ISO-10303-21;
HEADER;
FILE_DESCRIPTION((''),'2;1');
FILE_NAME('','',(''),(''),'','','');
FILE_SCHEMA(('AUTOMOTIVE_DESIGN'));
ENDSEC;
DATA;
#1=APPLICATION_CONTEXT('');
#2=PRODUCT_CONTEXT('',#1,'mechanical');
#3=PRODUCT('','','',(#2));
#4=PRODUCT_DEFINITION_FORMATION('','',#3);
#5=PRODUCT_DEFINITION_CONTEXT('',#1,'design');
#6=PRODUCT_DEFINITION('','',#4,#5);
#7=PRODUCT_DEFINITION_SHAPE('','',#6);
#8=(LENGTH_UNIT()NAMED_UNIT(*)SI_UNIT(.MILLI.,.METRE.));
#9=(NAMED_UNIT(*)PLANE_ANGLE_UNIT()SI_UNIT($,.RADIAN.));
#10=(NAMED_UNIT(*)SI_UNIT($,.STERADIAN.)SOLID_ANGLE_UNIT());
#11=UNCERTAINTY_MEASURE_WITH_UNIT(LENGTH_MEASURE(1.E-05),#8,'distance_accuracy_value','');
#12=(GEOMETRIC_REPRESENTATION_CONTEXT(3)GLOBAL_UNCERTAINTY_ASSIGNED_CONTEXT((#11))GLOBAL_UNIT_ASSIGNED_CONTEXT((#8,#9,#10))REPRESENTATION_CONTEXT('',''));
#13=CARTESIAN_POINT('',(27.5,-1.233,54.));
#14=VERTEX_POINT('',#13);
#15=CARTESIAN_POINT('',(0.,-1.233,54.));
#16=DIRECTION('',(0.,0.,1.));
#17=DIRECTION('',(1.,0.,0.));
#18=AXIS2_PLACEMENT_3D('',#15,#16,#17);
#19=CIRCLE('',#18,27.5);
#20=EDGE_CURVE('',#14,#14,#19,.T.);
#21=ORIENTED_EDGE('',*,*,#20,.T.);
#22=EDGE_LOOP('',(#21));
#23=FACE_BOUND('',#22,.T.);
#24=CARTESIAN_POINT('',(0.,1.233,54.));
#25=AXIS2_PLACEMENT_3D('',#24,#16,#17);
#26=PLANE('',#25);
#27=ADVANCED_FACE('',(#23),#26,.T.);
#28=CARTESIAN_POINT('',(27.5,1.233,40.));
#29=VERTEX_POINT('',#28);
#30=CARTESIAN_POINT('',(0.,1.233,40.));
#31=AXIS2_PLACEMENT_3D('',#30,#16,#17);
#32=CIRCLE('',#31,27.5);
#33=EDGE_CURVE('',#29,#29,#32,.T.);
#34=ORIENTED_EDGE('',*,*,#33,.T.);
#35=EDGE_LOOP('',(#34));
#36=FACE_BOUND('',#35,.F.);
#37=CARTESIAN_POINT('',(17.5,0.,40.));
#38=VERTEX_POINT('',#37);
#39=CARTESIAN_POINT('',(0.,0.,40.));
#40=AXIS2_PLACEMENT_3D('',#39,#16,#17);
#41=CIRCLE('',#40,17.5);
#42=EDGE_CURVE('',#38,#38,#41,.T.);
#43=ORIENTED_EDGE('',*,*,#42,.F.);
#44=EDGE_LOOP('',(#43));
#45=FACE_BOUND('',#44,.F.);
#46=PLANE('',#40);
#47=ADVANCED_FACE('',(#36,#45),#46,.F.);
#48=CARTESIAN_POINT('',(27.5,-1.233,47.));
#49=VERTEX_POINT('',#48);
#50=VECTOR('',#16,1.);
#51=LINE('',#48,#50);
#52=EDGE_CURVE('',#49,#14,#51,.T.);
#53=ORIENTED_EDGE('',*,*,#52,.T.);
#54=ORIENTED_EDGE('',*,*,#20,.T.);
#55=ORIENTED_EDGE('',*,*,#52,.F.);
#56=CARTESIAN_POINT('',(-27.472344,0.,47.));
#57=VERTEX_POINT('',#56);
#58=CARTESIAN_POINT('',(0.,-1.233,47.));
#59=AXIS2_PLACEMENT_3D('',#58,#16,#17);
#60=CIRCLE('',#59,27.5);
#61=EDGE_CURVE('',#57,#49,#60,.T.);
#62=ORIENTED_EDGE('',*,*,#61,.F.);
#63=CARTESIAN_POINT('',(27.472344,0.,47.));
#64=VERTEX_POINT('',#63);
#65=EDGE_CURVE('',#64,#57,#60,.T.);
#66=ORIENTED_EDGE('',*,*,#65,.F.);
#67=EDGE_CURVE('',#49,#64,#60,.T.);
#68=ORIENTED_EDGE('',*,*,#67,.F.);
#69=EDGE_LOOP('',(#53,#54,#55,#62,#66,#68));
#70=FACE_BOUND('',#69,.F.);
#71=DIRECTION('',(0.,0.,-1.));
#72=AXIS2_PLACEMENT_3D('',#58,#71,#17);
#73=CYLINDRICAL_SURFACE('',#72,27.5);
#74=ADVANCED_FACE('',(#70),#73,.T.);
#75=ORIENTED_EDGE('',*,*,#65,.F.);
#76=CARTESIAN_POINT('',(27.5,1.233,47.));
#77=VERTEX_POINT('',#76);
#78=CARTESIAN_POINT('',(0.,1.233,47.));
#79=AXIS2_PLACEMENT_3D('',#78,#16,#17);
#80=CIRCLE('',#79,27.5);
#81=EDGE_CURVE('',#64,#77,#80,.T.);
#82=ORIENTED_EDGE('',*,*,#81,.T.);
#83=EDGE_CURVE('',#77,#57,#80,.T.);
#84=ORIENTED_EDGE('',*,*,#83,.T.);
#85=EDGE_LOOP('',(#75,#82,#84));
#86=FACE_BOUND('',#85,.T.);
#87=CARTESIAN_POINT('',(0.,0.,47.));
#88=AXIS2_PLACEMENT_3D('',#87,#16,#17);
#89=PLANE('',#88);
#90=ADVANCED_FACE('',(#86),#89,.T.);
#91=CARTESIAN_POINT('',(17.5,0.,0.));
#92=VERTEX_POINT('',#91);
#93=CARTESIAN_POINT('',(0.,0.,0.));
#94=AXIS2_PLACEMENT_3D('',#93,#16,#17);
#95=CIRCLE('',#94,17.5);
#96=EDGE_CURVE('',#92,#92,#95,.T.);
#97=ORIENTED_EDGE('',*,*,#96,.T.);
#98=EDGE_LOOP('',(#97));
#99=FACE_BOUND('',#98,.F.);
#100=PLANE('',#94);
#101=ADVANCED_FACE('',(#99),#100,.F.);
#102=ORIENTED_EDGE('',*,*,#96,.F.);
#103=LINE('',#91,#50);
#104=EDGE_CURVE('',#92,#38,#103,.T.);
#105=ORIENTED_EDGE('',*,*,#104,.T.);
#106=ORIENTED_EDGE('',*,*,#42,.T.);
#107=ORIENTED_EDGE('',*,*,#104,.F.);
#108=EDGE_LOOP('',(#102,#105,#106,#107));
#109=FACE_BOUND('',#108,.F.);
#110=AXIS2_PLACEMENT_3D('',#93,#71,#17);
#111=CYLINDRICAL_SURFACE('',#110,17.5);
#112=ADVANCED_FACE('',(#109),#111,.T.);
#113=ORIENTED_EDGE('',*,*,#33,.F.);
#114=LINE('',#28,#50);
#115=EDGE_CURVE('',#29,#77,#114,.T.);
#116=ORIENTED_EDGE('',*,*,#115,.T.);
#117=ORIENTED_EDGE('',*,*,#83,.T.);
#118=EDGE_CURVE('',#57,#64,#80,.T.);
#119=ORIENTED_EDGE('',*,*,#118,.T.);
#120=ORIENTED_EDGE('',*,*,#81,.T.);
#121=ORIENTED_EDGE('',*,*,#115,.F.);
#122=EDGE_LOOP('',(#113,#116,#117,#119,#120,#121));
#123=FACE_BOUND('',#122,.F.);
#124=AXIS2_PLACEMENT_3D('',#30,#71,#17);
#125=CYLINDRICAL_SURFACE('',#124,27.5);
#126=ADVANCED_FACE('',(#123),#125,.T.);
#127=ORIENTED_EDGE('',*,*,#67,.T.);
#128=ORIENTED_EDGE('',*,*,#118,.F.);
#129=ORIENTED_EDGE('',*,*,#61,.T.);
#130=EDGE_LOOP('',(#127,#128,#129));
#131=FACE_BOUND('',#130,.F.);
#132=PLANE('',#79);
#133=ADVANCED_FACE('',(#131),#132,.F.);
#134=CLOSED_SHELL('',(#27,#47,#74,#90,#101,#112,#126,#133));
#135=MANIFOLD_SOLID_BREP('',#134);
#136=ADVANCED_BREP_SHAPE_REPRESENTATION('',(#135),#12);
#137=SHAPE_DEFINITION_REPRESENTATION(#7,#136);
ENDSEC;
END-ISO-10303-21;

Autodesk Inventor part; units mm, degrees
ref_plane "YZ Plane" through (0, 0, 0) normal (1, 0, 0) x (0, 1, 0)
ref_plane "XZ Plane" through (0, 0, 0) normal (0, 1, 0) x (-1, 0, 0)
ref_plane "XY Plane" through (0, 0, 0) normal (0, 0, 1) x (1, 0, 0)
sketch "스케치1" plane through (0, 0, 0) normal (0, 0, 1) x (1, 0, 0)
  circle A0 centre (0, 0) radius 17.5
  dimension "d0" = 35
extrude "돌출1" add sketch "스케치1" along normal blind 40
sketch "스케치2" plane through (0, 0, 40) normal (0, 0, 1) x (1, 0, 0)
  circle A0 centre (0, 1.233) radius 27.5
  point P0 (0, 0)
  dimension "d3" = 55
  dimension "d4" = 1.233
extrude "돌출2" add sketch "스케치2" along normal blind 7
sketch "스케치3" plane through (0, 1.233, 47) normal (0, 0, 1) x (1, 0, 0)
  circle A0 centre (0, -1.233) radius 17.5 construction
  circle A1 centre (0, -1.233) radius 17.5 construction
  circle A2 centre (0, -1.233) radius 17.5 construction
  circle A3 centre (0, -2.466) radius 27.5
  dimension "d7" = 1.233
  dimension "d8" = 55
extrude "돌출3" add sketch "스케치3" along normal blind 7
properties part number "input_shaft"
